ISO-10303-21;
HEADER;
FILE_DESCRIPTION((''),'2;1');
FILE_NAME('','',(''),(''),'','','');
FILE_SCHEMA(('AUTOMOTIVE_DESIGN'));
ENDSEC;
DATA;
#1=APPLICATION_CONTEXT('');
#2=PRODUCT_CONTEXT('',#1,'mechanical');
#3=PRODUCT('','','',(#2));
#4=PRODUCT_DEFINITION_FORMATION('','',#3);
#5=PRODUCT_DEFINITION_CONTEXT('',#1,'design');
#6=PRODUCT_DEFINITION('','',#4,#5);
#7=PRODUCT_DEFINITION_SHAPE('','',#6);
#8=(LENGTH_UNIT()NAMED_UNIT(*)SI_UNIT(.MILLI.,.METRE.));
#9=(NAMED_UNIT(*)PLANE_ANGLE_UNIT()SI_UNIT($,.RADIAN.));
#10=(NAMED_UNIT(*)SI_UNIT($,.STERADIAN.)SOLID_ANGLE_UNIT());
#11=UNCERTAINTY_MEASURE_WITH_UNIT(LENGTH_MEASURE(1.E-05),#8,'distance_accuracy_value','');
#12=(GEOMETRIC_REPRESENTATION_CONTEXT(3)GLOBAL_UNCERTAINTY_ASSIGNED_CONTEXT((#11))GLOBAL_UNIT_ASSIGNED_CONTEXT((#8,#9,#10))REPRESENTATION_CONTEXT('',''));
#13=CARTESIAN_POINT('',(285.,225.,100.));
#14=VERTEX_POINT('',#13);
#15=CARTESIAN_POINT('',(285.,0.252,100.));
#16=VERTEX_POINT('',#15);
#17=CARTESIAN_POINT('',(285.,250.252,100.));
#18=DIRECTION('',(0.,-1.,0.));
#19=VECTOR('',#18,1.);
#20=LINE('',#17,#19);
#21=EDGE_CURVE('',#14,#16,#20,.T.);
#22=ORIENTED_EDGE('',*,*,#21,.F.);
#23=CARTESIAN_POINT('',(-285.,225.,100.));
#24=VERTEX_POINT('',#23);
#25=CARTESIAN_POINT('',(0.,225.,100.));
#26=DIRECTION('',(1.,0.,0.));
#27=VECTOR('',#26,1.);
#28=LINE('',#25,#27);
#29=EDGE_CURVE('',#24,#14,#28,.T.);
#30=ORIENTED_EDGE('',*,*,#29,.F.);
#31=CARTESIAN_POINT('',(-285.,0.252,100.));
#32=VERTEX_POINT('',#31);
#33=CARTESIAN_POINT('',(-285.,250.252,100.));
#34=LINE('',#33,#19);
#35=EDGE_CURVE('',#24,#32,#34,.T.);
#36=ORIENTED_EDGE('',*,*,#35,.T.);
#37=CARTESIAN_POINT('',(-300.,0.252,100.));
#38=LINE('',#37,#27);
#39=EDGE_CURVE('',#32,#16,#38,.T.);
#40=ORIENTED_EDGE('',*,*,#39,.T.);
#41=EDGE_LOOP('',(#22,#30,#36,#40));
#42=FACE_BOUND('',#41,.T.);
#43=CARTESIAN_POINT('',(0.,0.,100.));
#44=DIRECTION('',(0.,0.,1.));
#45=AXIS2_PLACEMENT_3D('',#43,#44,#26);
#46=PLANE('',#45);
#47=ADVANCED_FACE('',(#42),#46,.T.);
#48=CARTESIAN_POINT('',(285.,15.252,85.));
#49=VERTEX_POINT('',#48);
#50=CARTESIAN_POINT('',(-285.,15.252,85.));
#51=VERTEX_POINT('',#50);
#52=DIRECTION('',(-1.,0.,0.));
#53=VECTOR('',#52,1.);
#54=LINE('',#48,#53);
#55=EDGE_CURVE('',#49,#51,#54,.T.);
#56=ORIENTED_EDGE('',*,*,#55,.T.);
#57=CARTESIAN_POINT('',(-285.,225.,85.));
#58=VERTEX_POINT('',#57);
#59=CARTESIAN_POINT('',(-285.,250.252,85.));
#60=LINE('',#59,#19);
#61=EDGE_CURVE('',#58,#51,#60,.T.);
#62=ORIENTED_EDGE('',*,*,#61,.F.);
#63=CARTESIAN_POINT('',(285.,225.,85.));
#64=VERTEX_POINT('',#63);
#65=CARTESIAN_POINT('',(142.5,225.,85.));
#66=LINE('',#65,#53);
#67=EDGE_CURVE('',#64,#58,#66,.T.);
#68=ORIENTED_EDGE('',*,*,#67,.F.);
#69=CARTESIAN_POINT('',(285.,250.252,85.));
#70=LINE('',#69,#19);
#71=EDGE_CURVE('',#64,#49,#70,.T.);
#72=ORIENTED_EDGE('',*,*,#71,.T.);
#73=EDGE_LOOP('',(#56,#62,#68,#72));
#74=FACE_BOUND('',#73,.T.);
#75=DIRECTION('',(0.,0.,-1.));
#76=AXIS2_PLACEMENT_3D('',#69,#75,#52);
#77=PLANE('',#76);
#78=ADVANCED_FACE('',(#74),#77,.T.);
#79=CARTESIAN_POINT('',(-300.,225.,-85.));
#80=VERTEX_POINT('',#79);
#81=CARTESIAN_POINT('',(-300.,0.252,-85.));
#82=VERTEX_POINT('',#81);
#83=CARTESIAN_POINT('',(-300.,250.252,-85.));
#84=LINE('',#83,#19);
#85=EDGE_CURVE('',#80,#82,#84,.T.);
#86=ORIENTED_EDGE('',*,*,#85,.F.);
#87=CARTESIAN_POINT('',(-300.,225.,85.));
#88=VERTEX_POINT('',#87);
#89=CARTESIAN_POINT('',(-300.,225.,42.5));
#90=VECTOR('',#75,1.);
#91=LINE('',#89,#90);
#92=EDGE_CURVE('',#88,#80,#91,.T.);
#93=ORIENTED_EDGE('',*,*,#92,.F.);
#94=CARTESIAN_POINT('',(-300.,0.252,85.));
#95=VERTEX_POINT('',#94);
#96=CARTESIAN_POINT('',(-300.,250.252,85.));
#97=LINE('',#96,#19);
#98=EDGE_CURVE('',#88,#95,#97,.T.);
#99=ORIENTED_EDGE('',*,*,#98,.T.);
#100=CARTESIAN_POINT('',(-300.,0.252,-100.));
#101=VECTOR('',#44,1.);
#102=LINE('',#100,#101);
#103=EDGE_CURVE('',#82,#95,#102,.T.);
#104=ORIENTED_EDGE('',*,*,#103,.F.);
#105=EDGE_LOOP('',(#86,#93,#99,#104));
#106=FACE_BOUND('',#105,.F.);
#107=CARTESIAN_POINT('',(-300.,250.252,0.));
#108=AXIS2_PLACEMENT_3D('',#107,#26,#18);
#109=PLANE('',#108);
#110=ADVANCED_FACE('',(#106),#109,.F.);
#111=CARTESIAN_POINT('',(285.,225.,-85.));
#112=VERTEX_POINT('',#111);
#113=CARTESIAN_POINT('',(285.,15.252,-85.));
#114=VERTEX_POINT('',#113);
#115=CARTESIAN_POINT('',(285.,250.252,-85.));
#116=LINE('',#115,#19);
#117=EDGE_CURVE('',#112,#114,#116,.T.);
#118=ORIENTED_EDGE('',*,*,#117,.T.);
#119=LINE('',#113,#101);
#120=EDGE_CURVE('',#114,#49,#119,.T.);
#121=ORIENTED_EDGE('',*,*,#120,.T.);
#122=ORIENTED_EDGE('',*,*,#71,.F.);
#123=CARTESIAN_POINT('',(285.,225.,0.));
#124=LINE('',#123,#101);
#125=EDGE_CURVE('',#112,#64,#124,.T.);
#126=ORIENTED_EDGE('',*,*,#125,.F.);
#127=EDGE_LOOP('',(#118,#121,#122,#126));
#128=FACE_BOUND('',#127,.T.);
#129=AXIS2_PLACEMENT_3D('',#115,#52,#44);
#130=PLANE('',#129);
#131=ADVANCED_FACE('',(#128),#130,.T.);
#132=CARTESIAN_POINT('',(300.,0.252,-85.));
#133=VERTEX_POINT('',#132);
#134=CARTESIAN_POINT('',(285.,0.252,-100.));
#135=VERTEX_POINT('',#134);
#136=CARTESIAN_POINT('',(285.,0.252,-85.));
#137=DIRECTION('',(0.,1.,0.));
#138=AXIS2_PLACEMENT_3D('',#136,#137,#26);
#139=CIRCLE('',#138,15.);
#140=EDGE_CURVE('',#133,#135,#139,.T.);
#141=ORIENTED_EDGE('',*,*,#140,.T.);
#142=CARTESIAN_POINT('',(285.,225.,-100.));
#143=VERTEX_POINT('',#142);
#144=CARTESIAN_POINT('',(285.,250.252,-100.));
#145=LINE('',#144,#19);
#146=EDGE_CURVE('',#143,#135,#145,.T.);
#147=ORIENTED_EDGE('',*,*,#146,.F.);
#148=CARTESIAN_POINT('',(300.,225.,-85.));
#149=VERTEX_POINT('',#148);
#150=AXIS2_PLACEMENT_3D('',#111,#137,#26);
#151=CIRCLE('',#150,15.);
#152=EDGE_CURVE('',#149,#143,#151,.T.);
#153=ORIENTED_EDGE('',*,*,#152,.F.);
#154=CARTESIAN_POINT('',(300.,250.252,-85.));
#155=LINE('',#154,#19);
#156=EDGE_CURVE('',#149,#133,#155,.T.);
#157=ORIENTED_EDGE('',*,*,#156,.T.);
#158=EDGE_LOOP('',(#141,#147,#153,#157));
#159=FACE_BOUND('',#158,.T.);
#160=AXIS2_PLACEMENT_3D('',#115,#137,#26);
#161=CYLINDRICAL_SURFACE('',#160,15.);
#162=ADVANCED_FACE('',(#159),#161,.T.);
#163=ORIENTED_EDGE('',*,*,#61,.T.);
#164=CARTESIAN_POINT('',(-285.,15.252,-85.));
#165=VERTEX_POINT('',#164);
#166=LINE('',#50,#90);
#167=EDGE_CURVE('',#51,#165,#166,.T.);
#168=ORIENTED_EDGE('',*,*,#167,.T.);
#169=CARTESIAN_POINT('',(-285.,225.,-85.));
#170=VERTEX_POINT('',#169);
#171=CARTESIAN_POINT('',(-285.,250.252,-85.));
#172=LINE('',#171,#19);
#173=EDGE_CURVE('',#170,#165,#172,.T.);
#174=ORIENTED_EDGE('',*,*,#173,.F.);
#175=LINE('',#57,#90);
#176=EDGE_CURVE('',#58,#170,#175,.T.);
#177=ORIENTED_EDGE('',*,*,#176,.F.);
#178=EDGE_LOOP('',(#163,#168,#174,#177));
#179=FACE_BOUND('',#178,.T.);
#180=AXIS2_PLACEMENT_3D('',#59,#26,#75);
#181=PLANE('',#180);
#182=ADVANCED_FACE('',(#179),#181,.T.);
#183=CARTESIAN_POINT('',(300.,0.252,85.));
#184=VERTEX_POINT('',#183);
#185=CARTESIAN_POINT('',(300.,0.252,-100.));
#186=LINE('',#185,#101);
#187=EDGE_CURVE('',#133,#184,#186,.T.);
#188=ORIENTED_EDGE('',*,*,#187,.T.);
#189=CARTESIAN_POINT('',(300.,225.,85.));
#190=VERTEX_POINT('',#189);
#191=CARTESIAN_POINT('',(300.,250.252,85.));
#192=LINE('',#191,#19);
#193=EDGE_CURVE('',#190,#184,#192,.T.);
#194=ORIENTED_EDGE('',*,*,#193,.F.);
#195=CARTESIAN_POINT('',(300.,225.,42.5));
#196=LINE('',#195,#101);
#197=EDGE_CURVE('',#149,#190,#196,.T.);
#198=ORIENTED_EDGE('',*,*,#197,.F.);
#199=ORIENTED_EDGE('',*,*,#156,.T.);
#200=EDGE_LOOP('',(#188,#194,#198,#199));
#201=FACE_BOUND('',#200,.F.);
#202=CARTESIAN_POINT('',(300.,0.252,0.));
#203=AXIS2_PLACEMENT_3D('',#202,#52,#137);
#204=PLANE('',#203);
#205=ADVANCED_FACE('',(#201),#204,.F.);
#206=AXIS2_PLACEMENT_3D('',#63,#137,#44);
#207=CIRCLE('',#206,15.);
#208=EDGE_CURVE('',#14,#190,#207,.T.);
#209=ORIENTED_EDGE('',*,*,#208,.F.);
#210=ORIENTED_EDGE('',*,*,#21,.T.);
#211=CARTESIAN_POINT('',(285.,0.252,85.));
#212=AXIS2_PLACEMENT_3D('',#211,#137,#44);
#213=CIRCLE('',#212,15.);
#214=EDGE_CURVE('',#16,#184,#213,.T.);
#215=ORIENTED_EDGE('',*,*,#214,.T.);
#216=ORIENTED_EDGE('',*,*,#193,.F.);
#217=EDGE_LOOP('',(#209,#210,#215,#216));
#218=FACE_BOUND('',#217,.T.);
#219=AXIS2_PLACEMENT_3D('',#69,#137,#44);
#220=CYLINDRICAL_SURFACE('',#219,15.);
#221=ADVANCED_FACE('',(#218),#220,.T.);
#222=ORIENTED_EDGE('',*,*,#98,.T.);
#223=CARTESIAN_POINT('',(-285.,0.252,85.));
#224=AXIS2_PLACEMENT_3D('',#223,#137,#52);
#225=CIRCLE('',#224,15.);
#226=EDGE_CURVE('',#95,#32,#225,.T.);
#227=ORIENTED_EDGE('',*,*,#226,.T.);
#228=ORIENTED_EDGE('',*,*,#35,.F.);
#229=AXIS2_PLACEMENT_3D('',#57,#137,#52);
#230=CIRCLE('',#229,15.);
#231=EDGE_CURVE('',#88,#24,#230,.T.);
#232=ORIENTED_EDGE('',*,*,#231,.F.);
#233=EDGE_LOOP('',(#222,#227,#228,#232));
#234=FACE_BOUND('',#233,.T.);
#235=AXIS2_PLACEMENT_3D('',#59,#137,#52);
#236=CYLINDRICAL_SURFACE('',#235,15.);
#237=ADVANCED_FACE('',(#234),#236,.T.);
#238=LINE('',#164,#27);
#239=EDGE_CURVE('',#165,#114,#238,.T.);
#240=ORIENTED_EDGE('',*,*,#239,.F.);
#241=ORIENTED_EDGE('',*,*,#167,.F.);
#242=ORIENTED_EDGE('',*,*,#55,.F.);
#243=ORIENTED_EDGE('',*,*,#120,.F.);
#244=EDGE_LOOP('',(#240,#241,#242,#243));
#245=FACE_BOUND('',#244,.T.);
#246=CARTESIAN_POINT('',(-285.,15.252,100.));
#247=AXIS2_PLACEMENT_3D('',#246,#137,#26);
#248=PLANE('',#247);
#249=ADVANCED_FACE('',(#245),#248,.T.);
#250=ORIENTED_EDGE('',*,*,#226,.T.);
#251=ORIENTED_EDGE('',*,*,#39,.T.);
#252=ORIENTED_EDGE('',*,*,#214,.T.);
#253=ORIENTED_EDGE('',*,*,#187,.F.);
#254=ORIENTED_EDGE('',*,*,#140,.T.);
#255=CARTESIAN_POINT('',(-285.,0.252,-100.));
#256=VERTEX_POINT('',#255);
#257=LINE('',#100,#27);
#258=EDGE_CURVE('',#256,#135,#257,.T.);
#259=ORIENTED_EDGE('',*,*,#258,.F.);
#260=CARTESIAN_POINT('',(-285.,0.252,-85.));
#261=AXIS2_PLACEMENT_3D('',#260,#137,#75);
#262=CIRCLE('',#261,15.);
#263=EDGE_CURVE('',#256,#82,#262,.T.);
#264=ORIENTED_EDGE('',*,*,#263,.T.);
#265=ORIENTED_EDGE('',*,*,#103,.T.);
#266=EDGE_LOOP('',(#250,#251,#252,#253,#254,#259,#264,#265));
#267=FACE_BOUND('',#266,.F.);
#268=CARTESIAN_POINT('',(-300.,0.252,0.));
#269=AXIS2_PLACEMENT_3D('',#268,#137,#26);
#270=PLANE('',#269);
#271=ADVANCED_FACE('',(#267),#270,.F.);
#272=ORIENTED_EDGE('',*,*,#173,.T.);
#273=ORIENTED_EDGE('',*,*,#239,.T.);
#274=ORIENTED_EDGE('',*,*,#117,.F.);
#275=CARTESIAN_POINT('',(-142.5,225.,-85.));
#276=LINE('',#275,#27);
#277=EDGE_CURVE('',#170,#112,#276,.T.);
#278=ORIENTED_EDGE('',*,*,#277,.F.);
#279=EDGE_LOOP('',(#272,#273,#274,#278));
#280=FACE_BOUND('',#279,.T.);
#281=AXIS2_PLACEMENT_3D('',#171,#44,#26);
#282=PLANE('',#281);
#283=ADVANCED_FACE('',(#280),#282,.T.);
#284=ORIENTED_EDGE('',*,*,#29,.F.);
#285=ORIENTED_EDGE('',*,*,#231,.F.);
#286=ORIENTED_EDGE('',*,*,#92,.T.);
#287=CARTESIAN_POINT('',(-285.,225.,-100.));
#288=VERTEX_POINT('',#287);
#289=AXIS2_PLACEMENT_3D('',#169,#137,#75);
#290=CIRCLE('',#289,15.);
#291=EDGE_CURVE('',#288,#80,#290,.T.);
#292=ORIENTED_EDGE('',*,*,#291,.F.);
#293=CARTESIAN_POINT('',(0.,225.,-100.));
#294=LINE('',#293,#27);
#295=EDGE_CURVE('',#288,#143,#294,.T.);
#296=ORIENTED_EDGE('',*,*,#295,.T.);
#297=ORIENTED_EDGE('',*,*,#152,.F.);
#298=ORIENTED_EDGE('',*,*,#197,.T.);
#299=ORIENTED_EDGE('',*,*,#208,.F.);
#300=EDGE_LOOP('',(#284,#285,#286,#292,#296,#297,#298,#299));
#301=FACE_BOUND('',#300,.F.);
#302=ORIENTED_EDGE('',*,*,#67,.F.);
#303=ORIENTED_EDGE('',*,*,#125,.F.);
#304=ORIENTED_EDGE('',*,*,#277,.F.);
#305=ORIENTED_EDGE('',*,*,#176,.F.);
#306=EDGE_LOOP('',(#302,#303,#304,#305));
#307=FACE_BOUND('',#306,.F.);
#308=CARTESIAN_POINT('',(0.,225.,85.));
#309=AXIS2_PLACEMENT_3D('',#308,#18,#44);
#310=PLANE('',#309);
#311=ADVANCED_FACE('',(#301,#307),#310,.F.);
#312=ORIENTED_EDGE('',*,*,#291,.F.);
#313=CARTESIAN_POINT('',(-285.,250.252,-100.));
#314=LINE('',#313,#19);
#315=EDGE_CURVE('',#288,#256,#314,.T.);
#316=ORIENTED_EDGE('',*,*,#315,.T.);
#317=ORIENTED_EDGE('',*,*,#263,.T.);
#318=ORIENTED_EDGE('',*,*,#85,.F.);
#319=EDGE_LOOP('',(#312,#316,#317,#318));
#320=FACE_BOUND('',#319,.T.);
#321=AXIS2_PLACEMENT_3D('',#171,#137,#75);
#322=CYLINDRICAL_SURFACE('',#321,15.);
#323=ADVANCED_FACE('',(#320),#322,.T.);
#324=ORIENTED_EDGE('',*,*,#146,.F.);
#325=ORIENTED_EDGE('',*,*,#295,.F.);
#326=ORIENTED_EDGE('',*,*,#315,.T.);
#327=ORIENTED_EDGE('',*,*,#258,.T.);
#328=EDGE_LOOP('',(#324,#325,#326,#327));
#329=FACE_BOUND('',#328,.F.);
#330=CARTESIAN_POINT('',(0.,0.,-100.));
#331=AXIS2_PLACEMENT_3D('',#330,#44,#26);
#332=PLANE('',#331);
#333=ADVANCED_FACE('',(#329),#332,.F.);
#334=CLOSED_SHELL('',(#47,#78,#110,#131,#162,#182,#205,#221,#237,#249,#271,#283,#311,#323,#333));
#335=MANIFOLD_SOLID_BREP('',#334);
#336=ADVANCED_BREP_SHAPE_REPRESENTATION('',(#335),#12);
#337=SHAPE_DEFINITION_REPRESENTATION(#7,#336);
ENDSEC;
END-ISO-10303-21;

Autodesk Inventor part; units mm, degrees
ref_plane "YZ Plane" through (0, 0, 0) normal (1, 0, 0) x (0, 1, 0)
ref_plane "XZ Plane" through (0, 0, 0) normal (0, 1, 0) x (-1, 0, 0)
ref_plane "XY Plane" through (0, 0, 0) normal (0, 0, 1) x (1, 0, 0)
sketch "Skizze1" plane through (0, 0, 0) normal (0, 0, 1) x (1, 0, 0)
  line L0 (-300, 0.252) -> (300, 0.252)
  line L1 (300, 0.252) -> (300, 250.252)
  line L2 (300, 250.252) -> (-300, 250.252)
  line L3 (-300, 250.252) -> (-300, 0.252)
  point P0 (0, 0)
  dimension "d0" = 600
  dimension "d1" = 250
extrude "Extrusion1" add sketch "Skizze1" along normal mid plane 200
sketch "Skizze2" plane through (-300, 250.252, 100) normal (0, 1, 0) x (1, 0, 0)
  line L0 (600, 0) -> (0, 0) projected
  line L1 (600, 200) -> (600, 0) projected
  line L2 (15, 0) -> (585, 0)
  line L3 (600, 15) -> (600, 185)
  line L4 (585, 200) -> (15, 200)
  line L5 (0, 185) -> (0, 15)
  arc A0 (0, 15) -> (15, 0) centre (15, 15) ccw
  arc A1 (15, 200) -> (0, 185) centre (15, 185) ccw
  arc A2 (600, 185) -> (585, 200) centre (585, 185) ccw
  arc A3 (585, 0) -> (600, 15) centre (585, 15) ccw
  line L6 (0, 200) -> (0, 0) projected
  line L7 (0, 200) -> (600, 200) projected
  line L8 (0, 0) -> (600, 0)
  line L9 (600, 0) -> (600, 200)
  line L10 (600, 200) -> (0, 200)
  line L11 (0, 200) -> (0, 0)
  point P0 (300, 100)
  point P1 (585, 0)
  dimension "d4" = 15
extrude "Extrusion2" cut sketch "Skizze2" against normal through all contours L0 A3 L1 | L0 L6 A0 | A2 L7 L1 | L6 L7 A1
sketch "Skizze3" plane through (-285, 250.252, 100) normal (0, 1, 0) x (1, 0, 0)
  arc A0 (0, 200) -> (-15, 185) centre (0, 185) ccw projected
  arc A1 (570, 0) -> (585, 15) centre (570, 15) ccw projected
  line L0 (0, 185) -> (570, 185)
  line L1 (570, 185) -> (570, 15)
  line L2 (570, 15) -> (0, 15)
  line L3 (0, 15) -> (0, 185)
  point P0 (285, 100)
extrude "Extrusion3" cut sketch "Skizze3" against normal blind 235
sketch "Skizze4" plane through (0, 0, 0) normal (1, 0, 0) x (0, 1, 0)
  line L0 (225, 85) -> (225, -110.1417)
  line L1 (250.252, -85) -> (15.252, -85) projected
  line L2 (225, 85) -> (225, 112.4289)
  line L3 (225, 112.4289) -> (265.8438, 112.4289)
  line L4 (265.8438, 112.4289) -> (265.8438, -110.1417)
  line L5 (265.8438, -110.1417) -> (225, -110.1417)
  point P0 (0, 0)
extrude "Extrusion4" cut sketch "Skizze4" along normal through all both and the other way through all
properties part number "beetkasten"
